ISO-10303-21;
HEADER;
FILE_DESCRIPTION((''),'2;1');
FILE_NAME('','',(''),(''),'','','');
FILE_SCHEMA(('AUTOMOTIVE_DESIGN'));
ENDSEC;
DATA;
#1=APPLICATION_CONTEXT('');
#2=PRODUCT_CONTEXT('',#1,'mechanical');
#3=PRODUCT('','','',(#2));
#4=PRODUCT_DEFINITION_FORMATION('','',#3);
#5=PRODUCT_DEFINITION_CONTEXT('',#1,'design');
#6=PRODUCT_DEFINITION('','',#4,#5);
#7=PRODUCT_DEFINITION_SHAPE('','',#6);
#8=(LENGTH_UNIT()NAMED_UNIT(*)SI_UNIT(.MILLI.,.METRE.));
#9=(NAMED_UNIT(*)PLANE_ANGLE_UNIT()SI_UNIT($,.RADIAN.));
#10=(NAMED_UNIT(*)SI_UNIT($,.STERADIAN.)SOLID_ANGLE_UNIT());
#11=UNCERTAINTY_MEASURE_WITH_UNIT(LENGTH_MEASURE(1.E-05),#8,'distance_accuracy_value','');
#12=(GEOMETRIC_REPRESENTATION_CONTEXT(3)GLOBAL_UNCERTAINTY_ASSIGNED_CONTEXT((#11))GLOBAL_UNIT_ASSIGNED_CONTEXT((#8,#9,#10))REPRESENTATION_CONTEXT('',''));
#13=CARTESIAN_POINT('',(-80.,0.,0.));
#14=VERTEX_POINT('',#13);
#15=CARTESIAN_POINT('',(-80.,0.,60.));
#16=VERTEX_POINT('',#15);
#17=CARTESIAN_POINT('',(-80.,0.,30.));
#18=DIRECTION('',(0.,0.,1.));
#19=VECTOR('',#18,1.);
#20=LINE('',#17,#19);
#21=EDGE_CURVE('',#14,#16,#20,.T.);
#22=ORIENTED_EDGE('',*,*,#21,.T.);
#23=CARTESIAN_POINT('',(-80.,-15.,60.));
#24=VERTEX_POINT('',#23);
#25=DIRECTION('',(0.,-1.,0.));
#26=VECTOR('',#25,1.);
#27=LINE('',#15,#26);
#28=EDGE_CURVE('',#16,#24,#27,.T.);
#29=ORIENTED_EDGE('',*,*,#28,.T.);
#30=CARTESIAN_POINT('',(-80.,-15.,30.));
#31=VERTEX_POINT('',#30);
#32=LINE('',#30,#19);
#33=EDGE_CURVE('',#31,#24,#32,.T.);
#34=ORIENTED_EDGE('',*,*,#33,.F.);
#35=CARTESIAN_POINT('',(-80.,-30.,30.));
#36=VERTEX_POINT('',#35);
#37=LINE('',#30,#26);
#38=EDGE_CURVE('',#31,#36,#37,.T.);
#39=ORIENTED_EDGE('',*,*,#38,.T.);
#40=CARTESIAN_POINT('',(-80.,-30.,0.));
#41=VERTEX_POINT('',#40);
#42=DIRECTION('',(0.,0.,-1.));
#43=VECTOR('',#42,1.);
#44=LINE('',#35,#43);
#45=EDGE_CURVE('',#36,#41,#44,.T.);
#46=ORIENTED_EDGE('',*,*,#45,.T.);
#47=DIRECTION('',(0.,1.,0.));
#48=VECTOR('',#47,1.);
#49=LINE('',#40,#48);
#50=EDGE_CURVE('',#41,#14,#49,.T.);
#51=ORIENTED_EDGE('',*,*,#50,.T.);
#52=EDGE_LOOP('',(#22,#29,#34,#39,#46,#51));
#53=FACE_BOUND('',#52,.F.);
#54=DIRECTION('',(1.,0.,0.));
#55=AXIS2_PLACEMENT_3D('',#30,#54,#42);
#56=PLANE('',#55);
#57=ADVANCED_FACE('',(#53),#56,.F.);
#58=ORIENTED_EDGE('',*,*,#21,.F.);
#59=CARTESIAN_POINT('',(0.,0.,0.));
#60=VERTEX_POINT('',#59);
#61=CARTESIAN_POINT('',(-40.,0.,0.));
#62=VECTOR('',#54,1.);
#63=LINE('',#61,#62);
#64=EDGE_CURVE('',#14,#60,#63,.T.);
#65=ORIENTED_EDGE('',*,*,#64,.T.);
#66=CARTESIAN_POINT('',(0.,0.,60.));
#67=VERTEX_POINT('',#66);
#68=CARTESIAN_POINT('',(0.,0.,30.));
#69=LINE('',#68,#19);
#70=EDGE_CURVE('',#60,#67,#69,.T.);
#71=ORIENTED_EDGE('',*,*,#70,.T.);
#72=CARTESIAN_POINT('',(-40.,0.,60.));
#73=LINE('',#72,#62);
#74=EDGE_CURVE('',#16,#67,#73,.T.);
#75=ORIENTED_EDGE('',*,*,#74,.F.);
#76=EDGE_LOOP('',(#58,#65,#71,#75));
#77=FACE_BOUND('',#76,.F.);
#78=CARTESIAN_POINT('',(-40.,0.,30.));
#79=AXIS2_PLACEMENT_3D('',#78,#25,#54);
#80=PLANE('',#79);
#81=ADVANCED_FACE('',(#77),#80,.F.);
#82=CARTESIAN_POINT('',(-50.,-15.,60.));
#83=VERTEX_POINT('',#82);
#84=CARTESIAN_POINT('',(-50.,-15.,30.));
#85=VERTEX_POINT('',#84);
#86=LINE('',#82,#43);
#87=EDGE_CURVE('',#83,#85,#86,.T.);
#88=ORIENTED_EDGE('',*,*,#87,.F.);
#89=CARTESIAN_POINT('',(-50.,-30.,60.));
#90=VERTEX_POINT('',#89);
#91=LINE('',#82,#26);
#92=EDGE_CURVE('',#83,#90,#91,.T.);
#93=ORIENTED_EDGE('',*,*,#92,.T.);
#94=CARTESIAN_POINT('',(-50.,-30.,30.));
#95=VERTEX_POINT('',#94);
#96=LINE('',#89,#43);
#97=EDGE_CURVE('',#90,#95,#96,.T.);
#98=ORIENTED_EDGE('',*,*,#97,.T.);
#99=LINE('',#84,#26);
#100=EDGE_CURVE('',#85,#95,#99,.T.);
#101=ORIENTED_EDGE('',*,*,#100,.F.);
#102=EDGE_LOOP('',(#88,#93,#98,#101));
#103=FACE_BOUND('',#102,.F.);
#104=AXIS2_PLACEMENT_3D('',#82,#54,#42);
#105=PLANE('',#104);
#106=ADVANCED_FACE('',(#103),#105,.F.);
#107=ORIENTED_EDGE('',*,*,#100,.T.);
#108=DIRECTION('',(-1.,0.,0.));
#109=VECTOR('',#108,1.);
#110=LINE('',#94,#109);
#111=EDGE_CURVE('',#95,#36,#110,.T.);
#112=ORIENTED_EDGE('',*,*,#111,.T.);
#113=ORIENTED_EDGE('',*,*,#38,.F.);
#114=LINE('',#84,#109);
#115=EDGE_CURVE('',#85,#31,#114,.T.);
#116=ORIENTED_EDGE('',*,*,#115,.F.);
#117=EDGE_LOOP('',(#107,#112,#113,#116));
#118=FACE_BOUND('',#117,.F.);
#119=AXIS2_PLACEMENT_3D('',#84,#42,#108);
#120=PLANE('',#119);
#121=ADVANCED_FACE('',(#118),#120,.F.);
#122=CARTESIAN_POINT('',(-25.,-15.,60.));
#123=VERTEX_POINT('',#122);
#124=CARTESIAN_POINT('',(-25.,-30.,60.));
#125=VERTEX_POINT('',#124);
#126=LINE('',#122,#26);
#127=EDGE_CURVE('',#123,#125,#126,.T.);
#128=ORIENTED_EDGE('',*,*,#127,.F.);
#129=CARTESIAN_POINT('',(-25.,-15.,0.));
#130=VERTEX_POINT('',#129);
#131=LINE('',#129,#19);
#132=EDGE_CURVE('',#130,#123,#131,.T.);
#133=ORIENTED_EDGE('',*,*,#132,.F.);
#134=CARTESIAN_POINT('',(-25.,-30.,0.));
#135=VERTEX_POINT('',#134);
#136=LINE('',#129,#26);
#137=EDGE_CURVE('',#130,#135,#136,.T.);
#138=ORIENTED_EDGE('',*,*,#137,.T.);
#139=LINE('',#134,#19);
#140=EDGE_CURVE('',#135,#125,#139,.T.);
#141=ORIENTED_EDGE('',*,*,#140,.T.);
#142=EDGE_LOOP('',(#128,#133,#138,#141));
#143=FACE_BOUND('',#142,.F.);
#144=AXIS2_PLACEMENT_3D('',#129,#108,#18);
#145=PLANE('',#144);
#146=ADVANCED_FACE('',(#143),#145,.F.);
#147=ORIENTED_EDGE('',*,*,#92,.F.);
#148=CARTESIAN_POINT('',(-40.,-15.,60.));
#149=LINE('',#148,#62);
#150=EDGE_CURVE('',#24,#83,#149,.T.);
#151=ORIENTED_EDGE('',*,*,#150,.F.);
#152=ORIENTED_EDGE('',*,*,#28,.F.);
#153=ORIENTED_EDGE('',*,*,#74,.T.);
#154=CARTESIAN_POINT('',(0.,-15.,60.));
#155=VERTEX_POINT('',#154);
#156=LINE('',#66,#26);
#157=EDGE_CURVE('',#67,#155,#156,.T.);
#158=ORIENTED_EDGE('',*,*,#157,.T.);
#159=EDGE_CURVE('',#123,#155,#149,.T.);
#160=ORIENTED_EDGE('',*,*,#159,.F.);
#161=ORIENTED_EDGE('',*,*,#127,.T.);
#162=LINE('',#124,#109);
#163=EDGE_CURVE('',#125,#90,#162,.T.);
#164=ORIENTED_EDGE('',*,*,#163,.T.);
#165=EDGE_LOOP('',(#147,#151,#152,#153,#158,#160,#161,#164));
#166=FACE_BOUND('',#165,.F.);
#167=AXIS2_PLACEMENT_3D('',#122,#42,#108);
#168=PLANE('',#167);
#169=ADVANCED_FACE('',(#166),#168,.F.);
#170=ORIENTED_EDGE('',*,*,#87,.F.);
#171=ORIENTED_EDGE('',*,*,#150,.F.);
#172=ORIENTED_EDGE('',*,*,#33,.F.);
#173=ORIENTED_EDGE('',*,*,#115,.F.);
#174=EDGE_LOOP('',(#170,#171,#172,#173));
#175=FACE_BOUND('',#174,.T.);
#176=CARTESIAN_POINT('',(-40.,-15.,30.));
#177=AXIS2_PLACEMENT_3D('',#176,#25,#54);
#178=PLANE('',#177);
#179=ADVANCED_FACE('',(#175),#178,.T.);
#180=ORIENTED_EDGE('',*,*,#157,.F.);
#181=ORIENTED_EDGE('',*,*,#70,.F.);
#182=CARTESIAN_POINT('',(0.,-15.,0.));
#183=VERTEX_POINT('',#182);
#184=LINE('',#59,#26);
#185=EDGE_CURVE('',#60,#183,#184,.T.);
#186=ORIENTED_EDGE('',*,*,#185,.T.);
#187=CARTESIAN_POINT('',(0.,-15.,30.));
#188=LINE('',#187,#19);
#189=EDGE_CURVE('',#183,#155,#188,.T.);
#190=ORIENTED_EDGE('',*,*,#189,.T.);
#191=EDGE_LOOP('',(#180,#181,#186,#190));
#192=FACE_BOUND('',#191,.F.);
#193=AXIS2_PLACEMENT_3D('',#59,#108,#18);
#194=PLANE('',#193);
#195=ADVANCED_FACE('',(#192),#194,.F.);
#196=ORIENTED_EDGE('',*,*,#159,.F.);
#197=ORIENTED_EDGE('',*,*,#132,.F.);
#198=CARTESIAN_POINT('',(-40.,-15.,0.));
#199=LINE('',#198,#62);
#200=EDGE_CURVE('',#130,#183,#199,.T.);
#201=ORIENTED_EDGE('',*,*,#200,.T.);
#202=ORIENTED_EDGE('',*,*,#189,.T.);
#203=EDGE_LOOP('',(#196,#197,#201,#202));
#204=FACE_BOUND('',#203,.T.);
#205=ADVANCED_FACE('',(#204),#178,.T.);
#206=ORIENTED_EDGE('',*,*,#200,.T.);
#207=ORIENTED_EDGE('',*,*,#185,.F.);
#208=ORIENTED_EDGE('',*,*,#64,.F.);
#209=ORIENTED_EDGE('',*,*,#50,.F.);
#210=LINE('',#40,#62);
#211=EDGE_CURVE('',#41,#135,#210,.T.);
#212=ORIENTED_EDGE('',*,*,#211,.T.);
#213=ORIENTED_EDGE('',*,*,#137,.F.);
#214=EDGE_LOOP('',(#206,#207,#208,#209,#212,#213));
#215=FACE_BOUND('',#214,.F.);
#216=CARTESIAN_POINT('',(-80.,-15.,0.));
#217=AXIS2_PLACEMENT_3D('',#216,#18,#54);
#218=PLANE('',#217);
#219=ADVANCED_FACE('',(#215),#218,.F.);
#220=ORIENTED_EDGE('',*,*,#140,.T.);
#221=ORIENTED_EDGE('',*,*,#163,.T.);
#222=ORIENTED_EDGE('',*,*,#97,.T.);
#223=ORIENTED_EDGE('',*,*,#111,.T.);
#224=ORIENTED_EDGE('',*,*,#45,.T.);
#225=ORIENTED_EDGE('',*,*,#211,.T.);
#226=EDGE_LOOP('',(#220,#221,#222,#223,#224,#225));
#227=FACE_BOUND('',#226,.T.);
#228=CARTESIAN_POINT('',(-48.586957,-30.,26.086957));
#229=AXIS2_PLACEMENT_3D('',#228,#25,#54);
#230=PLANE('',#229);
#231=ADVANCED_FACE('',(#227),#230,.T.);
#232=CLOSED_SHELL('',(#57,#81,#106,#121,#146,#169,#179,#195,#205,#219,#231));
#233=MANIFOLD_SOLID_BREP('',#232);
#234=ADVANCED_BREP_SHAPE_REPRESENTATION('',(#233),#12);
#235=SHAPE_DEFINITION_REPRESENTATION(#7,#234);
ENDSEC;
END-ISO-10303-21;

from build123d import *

# Parameters (mm, degrees)
F0_W     = 80
F0_H     = 60
F1_DEPTH = 15
F3_DEPTH = 15


with BuildPart() as f1:
    # F0 (on Front) → F1 (new body)
    with BuildSketch(Plane.XZ):
        with Locations((-40, 30)):
            Rectangle(F0_W, F0_H)
    extrude(amount=F1_DEPTH)

    # F2 (on face) → F3 (join)
    with BuildSketch(Plane.XZ.offset(15)):
        Polygon((-80, 0), (-25, 0), (-25, 60), (-50, 60), (-50, 30), (-80, 30), align=None)
    extrude(amount=F3_DEPTH)


solid = f1.part
